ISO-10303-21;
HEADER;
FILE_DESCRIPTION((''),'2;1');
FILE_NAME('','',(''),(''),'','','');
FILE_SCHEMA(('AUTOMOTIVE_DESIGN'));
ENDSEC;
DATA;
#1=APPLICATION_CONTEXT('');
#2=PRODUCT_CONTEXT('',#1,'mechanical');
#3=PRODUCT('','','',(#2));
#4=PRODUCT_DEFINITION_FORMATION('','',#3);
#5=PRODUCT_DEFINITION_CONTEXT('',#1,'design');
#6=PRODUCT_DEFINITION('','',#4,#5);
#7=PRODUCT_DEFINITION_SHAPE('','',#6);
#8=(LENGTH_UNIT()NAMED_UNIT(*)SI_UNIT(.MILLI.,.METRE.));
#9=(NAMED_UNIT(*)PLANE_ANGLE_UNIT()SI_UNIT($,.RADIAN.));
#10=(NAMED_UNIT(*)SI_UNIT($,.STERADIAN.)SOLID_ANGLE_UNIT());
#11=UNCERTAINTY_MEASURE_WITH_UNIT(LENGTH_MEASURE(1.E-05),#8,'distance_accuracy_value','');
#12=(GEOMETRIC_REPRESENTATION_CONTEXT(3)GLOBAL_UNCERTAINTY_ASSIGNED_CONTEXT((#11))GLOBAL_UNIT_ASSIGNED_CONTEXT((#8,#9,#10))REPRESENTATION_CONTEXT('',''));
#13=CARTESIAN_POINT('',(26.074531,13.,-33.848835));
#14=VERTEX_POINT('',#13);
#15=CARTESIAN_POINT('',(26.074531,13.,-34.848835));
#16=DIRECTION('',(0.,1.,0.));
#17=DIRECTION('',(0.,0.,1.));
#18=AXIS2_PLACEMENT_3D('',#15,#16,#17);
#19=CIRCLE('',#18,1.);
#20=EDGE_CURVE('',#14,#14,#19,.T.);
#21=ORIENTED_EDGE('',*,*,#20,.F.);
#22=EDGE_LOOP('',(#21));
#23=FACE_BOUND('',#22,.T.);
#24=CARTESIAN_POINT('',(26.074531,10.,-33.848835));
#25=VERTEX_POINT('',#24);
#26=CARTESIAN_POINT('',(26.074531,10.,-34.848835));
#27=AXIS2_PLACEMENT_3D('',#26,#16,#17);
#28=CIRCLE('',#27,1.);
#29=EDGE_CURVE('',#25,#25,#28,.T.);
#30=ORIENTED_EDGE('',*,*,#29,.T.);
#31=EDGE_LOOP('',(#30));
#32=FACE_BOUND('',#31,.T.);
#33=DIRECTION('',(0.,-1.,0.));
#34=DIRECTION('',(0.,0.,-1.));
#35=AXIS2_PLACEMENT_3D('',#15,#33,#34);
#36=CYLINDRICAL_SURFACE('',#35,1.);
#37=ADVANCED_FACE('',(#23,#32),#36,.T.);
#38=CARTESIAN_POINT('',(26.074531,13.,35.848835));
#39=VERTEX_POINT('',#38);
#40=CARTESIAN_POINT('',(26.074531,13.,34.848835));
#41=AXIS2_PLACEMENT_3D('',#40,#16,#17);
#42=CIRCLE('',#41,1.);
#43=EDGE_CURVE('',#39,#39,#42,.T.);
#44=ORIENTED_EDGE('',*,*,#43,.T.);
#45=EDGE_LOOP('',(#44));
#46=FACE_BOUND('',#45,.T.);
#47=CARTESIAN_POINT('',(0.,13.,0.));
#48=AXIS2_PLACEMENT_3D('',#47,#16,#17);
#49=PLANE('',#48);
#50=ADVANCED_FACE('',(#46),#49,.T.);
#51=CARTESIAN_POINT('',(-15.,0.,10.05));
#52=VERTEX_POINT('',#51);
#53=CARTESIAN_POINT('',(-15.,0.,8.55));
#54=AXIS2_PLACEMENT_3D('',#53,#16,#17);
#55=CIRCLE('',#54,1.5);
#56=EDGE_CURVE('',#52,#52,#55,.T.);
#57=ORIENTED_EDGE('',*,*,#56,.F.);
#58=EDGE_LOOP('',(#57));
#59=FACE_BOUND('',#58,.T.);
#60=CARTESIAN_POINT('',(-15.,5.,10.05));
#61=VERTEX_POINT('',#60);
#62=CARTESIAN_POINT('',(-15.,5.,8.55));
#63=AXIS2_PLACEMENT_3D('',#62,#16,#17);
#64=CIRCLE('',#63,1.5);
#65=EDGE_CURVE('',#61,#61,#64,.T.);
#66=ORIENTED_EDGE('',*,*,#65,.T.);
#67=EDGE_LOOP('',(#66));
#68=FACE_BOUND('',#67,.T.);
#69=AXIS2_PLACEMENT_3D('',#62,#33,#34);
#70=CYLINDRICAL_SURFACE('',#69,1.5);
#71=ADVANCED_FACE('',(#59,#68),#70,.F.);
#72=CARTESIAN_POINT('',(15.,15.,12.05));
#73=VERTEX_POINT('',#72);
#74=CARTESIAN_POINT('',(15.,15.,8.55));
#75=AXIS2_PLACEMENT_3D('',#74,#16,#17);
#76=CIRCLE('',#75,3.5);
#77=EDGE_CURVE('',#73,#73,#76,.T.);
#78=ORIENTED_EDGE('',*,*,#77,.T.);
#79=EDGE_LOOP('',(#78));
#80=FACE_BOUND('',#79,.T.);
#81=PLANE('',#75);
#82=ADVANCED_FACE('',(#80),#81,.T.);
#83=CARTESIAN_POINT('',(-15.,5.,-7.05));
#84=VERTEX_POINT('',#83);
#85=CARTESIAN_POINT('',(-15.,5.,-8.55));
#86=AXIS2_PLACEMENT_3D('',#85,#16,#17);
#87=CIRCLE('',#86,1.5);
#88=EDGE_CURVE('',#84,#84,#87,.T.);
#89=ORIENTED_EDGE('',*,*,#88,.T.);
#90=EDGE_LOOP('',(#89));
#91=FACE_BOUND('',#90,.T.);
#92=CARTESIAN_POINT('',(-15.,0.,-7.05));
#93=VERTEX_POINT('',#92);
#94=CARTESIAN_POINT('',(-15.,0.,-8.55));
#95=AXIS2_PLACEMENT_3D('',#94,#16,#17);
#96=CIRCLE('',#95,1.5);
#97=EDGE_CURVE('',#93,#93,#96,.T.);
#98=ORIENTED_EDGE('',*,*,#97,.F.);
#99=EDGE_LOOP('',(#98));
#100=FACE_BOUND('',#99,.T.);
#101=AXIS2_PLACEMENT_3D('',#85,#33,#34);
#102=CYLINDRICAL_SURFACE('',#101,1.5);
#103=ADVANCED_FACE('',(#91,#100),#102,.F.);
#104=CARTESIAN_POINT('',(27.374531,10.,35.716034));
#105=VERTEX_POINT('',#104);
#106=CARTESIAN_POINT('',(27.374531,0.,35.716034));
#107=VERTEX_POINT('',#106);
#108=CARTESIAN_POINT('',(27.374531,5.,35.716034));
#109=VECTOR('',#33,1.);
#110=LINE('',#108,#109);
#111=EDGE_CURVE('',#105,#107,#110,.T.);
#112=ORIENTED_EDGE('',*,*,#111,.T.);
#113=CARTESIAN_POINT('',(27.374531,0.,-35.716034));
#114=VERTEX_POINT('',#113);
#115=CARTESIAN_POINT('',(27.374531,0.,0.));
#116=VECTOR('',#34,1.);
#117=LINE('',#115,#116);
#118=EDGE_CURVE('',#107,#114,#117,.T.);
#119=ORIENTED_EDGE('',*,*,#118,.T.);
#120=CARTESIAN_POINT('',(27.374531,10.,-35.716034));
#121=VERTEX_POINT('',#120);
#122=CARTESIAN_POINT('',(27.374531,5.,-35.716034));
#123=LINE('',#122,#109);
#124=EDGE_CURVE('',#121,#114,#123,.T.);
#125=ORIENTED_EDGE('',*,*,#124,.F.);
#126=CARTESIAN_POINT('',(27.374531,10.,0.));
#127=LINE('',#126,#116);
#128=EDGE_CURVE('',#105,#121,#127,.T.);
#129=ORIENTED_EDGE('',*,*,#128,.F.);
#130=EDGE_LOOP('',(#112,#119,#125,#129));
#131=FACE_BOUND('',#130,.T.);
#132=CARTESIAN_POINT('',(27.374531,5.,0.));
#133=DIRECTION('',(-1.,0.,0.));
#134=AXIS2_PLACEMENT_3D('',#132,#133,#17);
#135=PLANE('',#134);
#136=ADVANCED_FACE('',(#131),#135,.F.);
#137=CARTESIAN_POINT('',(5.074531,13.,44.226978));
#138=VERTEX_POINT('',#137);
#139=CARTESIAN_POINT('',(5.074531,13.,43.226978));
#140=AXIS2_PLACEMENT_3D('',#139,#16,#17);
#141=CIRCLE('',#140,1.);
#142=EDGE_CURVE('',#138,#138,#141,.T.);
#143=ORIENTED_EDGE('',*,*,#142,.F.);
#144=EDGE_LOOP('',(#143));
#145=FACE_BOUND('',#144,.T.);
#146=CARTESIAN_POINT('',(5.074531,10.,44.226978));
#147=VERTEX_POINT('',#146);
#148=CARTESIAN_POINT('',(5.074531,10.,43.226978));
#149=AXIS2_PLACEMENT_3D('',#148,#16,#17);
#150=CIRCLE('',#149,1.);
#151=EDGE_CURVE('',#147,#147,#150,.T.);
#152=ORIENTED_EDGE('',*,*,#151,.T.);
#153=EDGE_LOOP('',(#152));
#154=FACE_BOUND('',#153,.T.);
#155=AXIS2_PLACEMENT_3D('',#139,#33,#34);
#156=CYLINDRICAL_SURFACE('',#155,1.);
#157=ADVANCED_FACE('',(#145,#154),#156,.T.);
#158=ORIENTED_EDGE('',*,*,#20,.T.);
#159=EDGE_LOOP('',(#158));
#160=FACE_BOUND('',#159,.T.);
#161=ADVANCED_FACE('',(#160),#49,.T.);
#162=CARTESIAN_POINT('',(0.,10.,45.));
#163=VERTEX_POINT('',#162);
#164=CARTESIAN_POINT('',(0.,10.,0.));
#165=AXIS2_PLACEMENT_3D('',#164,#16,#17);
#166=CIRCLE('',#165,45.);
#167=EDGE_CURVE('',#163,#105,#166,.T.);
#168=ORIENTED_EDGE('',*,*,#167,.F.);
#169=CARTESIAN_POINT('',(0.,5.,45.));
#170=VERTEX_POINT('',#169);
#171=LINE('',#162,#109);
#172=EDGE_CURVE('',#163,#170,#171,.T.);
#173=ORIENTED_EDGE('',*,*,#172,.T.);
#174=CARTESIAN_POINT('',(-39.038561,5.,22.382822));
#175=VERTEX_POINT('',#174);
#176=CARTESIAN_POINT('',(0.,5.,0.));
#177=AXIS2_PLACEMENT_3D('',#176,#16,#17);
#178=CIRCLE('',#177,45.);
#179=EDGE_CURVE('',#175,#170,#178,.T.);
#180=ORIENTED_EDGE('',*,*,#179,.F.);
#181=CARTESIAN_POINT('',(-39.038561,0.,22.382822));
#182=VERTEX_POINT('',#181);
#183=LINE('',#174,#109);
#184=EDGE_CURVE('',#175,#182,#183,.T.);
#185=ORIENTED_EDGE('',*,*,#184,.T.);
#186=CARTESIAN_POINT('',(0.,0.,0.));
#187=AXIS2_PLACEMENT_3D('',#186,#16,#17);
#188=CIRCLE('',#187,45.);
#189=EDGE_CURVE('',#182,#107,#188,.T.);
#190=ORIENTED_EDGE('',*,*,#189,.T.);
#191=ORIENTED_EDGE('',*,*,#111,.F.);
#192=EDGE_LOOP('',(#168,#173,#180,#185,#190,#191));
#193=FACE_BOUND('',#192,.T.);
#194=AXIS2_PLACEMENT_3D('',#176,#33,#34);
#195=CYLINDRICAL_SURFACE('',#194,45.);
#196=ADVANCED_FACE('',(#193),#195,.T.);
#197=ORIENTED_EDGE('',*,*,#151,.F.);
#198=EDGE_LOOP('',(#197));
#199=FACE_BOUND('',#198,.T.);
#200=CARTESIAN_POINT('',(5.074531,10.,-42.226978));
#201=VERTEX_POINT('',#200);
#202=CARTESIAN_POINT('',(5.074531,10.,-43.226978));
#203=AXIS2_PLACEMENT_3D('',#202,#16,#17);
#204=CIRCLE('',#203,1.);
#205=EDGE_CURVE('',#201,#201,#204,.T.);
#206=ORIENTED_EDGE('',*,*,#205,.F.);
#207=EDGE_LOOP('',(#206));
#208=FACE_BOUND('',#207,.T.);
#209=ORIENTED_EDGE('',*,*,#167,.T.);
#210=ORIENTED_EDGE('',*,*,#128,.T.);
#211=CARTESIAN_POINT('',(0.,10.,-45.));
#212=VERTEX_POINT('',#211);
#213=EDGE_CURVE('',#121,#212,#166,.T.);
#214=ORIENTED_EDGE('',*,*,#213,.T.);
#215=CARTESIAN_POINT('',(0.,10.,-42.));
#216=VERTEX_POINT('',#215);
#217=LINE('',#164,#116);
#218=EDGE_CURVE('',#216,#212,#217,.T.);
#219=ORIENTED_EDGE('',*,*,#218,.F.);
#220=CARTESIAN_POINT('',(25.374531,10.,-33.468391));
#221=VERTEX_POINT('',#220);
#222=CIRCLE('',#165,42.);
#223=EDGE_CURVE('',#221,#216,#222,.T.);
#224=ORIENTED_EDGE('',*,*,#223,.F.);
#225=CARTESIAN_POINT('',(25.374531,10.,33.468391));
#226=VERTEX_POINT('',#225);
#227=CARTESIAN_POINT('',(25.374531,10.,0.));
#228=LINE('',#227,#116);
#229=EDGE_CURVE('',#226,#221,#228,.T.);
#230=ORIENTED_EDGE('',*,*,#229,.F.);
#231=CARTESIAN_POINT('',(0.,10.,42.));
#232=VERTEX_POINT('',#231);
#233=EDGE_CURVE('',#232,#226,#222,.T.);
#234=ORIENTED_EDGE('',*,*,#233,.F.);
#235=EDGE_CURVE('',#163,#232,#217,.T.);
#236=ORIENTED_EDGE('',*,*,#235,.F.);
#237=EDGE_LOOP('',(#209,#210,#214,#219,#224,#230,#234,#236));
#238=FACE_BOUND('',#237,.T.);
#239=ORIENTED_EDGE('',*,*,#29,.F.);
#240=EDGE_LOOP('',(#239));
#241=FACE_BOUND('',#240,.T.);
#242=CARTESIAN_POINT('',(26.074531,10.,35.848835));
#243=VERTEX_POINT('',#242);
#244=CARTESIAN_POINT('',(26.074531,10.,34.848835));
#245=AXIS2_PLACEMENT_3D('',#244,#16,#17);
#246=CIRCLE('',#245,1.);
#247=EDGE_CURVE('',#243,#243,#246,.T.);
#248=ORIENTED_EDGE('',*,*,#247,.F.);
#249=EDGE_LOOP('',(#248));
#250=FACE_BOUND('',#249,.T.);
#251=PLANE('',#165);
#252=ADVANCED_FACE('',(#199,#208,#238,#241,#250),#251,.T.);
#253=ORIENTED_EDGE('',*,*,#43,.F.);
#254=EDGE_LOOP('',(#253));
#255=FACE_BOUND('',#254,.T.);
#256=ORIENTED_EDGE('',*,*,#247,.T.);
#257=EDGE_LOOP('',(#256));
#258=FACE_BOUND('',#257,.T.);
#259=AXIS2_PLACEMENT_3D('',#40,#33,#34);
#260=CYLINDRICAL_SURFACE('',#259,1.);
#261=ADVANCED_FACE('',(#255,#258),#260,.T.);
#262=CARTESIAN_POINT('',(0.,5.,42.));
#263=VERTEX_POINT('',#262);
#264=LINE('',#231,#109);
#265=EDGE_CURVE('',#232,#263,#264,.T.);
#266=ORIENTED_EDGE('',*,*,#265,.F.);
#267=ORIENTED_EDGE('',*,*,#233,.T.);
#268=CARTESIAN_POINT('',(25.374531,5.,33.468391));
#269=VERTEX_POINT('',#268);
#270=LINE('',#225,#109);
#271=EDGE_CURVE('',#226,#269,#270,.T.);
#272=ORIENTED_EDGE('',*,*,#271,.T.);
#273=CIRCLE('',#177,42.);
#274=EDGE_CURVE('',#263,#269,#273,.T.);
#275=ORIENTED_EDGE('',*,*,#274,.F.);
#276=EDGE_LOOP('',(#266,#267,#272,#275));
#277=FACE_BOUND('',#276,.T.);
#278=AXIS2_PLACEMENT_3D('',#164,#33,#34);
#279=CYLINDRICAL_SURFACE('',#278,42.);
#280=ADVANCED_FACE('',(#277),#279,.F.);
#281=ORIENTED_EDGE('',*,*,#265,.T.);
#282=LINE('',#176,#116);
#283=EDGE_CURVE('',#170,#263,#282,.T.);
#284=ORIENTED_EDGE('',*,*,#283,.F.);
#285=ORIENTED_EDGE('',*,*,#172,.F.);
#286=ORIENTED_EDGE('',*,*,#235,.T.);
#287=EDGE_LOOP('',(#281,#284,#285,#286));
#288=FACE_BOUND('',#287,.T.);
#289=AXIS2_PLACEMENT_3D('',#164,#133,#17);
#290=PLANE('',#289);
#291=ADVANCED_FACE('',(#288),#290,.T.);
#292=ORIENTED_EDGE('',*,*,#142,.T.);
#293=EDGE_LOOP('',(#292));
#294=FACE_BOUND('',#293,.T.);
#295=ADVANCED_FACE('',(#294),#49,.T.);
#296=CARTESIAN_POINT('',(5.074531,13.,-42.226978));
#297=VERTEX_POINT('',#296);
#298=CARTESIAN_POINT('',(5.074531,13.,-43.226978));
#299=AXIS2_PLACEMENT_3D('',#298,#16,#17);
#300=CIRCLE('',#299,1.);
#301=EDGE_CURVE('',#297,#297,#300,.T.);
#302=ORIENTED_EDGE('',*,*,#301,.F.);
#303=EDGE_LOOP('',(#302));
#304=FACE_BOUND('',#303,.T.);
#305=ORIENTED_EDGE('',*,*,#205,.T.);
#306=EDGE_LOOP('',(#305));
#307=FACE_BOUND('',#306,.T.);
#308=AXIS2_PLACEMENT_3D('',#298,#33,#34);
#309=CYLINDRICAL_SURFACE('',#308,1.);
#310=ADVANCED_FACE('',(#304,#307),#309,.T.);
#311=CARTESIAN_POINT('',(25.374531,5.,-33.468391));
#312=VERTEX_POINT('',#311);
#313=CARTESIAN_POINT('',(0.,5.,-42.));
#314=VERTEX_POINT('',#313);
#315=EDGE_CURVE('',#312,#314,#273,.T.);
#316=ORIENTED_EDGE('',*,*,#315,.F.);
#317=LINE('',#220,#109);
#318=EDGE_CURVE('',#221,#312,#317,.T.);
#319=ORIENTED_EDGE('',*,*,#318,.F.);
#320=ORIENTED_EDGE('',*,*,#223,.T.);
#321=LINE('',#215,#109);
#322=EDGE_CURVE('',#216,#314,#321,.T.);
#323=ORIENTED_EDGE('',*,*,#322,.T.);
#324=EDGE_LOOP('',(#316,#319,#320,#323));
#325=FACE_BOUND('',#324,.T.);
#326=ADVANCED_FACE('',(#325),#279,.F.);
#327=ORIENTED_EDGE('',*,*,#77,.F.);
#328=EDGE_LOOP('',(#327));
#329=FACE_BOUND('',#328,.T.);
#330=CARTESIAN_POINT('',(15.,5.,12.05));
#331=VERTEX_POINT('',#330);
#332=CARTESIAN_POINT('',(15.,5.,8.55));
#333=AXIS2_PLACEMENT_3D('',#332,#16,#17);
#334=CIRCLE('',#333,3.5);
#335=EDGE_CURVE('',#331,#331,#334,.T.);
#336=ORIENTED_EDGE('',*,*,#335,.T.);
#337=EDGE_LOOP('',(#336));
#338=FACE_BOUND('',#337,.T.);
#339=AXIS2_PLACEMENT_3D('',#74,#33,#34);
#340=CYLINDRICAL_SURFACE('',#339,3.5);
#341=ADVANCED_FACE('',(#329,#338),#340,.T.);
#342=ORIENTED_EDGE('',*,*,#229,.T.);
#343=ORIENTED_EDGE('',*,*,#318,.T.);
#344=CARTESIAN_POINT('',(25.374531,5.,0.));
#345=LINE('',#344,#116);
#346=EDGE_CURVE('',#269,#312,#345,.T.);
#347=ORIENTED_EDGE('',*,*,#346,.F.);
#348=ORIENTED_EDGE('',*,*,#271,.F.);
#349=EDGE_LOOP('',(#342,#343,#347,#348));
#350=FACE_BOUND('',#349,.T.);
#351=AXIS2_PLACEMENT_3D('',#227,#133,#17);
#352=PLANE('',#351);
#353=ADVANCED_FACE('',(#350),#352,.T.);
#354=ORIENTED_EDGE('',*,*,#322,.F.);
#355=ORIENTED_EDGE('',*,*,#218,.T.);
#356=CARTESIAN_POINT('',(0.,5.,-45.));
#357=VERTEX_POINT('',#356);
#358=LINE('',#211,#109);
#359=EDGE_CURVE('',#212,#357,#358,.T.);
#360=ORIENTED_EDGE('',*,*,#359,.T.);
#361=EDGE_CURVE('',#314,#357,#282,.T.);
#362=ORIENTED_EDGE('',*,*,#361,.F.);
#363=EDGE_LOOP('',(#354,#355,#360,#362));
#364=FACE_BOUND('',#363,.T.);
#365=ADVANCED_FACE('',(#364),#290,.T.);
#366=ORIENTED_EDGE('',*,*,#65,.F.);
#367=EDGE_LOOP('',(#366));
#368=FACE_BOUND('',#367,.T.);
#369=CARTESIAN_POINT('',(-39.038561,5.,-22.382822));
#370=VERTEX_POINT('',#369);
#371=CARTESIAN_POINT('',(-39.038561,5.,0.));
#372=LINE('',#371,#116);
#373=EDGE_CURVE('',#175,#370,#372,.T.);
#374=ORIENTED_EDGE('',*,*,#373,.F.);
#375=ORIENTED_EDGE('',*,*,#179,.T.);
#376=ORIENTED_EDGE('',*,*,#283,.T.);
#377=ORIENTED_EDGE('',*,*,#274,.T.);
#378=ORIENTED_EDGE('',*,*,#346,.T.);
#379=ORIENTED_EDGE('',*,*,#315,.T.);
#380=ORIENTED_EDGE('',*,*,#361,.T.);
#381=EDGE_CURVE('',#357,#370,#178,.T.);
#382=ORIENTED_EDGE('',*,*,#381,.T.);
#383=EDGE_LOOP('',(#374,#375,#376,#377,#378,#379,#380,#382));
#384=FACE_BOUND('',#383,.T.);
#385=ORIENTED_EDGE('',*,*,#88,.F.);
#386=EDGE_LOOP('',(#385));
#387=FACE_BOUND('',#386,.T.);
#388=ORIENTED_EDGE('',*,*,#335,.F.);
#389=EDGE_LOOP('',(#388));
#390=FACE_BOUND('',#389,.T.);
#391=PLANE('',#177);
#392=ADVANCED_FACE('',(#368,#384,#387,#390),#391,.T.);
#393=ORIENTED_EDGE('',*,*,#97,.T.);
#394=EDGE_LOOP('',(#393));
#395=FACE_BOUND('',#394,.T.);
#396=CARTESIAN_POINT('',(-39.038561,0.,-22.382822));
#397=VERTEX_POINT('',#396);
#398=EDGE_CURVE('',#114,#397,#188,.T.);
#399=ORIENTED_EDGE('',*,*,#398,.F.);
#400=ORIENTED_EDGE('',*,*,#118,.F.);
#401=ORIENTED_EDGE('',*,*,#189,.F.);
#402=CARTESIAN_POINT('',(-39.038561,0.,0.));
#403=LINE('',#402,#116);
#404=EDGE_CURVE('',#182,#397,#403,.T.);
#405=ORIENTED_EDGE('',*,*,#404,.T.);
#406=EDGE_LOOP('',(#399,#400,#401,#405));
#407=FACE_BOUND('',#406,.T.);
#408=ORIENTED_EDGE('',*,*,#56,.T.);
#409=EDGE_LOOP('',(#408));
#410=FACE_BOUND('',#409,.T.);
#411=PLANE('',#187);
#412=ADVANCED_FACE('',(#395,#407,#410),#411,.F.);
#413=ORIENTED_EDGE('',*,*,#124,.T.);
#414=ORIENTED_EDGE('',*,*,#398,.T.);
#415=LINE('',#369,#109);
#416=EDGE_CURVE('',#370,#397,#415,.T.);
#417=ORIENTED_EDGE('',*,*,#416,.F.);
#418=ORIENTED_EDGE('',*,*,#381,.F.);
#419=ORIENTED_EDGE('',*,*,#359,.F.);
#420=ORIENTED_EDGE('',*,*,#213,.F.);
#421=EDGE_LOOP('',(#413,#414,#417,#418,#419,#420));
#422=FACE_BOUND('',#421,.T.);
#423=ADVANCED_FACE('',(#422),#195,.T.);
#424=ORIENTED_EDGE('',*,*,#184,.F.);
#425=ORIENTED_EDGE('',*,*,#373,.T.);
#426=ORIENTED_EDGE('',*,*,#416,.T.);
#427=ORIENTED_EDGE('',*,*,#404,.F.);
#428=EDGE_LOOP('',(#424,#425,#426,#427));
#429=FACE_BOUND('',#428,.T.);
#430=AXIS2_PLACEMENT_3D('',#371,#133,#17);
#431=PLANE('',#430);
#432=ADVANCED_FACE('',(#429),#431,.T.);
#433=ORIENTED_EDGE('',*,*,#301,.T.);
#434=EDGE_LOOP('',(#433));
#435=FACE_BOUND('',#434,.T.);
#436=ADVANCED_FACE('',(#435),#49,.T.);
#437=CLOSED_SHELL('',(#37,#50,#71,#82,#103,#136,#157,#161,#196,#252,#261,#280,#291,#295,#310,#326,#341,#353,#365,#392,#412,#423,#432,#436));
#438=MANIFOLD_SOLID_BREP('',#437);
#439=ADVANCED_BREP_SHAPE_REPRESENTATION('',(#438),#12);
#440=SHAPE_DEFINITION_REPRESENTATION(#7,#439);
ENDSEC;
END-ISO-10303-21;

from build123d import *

# Parameters (mm, degrees)
SKETCH_1_R      = 1.5
EXTRUDE_1_DEPTH = 5
SKETCH_2_R      = 3.5
EXTRUDE_2_DEPTH = 10
EXTRUDE_3_DEPTH = 5
SKETCH_4_R      = 1
EXTRUDE_4_DEPTH = 3


with BuildPart() as part:
    # 草图1 → 凸台-拉伸1 (new body)
    with BuildSketch(Plane(origin=(0, 0, 0), x_dir=(1, 0, 0), z_dir=(0, 1, 0))):
        with BuildLine():
            Line((-39.038561358, -22.382822144), (-39.038561358, 22.382822144))
            ThreePointArc((-39.038561358, 22.382822144), (-8.857541047, 44.119655105), (27.374530931, 35.716033603))
            Line((27.374530931, 35.716033603), (27.374530931, -35.716033603))
            ThreePointArc((27.374530931, -35.716033603), (-8.857541047, -44.119655105), (-39.038561358, -22.382822144))
        make_face()
        with Locations((-15, 8.55)):
            Circle(SKETCH_1_R, mode=Mode.SUBTRACT)
        with Locations((-15, -8.55)):
            Circle(SKETCH_1_R, mode=Mode.SUBTRACT)
    extrude(amount=EXTRUDE_1_DEPTH)

    # 草图2 → 凸台-拉伸2 (add)
    with BuildSketch(Plane(origin=(0, 5, 0), x_dir=(1, 0, 0), z_dir=(0, 1, 0))):
        with Locations((15, -8.55)):
            Circle(SKETCH_2_R)
    extrude(amount=EXTRUDE_2_DEPTH)

    # 草图3 → 凸台-拉伸3 (add)
    with BuildSketch(Plane(origin=(0, 5, 0), x_dir=(1, 0, 0), z_dir=(0, 1, 0))):
        with BuildLine():
            ThreePointArc((0, -45), (13.278516311, -42.996290591), (25.374530931, -37.163600203))
            Line((25.374530931, -37.163600203), (25.374530931, -33.46839076))
            ThreePointArc((25.374530931, -33.46839076), (13.385208031, -39.810001331), (0, -42))
            Line((0, -42), (0, -45))
        make_face()
        with BuildLine():
            Line((25.374530931, -33.46839076), (25.374530931, -37.163600203))
            ThreePointArc((25.374530931, -37.163600203), (26.384460277, -36.453535575), (27.374530931, -35.716033603))
            Line((27.374530931, -35.716033603), (27.374530931, -31.853336659))
            ThreePointArc((27.374530931, -31.853336659), (26.386890339, -32.676168965), (25.374530931, -33.46839076))
        make_face()
        with BuildLine():
            Line((25.374530931, 33.46839076), (25.374530931, -33.46839076))
            ThreePointArc((25.374530931, -33.46839076), (26.386890339, -32.676168965), (27.374530931, -31.853336659))
            Line((27.374530931, -31.853336659), (27.374530931, 31.853336659))
            ThreePointArc((27.374530931, 31.853336659), (26.386890339, 32.676168965), (25.374530931, 33.46839076))
        make_face()
        with BuildLine():
            Line((25.374530931, 37.163600203), (25.374530931, 33.46839076))
            ThreePointArc((25.374530931, 33.46839076), (26.386890339, 32.676168965), (27.374530931, 31.853336659))
            Line((27.374530931, 31.853336659), (27.374530931, 35.716033603))
            ThreePointArc((27.374530931, 35.716033603), (26.384460277, 36.453535575), (25.374530931, 37.163600203))
        make_face()
        with BuildLine():
            ThreePointArc((0, 42), (13.385208031, 39.810001331), (25.374530931, 33.46839076))
            Line((25.374530931, 33.46839076), (25.374530931, 37.163600203))
            ThreePointArc((25.374530931, 37.163600203), (13.278516311, 42.996290591), (0, 45))
            Line((0, 45), (0, 42))
        make_face()
    extrude(amount=EXTRUDE_3_DEPTH)

    # 草图4 → 凸台-拉伸4 (add)
    with BuildSketch(Plane(origin=(0, 10, 0), x_dir=(1, 0, 0), z_dir=(0, 1, 0))):
        with Locations((26.074530931, -34.848835383)):
            Circle(SKETCH_4_R)
        with Locations((5.074530931, -43.226977996)):
            Circle(SKETCH_4_R)
        with Locations((26.074530931, 34.848835383)):
            Circle(SKETCH_4_R)
        with Locations((5.074530931, 43.226977996)):
            Circle(SKETCH_4_R)
    extrude(amount=EXTRUDE_4_DEPTH)


solid = part.part
